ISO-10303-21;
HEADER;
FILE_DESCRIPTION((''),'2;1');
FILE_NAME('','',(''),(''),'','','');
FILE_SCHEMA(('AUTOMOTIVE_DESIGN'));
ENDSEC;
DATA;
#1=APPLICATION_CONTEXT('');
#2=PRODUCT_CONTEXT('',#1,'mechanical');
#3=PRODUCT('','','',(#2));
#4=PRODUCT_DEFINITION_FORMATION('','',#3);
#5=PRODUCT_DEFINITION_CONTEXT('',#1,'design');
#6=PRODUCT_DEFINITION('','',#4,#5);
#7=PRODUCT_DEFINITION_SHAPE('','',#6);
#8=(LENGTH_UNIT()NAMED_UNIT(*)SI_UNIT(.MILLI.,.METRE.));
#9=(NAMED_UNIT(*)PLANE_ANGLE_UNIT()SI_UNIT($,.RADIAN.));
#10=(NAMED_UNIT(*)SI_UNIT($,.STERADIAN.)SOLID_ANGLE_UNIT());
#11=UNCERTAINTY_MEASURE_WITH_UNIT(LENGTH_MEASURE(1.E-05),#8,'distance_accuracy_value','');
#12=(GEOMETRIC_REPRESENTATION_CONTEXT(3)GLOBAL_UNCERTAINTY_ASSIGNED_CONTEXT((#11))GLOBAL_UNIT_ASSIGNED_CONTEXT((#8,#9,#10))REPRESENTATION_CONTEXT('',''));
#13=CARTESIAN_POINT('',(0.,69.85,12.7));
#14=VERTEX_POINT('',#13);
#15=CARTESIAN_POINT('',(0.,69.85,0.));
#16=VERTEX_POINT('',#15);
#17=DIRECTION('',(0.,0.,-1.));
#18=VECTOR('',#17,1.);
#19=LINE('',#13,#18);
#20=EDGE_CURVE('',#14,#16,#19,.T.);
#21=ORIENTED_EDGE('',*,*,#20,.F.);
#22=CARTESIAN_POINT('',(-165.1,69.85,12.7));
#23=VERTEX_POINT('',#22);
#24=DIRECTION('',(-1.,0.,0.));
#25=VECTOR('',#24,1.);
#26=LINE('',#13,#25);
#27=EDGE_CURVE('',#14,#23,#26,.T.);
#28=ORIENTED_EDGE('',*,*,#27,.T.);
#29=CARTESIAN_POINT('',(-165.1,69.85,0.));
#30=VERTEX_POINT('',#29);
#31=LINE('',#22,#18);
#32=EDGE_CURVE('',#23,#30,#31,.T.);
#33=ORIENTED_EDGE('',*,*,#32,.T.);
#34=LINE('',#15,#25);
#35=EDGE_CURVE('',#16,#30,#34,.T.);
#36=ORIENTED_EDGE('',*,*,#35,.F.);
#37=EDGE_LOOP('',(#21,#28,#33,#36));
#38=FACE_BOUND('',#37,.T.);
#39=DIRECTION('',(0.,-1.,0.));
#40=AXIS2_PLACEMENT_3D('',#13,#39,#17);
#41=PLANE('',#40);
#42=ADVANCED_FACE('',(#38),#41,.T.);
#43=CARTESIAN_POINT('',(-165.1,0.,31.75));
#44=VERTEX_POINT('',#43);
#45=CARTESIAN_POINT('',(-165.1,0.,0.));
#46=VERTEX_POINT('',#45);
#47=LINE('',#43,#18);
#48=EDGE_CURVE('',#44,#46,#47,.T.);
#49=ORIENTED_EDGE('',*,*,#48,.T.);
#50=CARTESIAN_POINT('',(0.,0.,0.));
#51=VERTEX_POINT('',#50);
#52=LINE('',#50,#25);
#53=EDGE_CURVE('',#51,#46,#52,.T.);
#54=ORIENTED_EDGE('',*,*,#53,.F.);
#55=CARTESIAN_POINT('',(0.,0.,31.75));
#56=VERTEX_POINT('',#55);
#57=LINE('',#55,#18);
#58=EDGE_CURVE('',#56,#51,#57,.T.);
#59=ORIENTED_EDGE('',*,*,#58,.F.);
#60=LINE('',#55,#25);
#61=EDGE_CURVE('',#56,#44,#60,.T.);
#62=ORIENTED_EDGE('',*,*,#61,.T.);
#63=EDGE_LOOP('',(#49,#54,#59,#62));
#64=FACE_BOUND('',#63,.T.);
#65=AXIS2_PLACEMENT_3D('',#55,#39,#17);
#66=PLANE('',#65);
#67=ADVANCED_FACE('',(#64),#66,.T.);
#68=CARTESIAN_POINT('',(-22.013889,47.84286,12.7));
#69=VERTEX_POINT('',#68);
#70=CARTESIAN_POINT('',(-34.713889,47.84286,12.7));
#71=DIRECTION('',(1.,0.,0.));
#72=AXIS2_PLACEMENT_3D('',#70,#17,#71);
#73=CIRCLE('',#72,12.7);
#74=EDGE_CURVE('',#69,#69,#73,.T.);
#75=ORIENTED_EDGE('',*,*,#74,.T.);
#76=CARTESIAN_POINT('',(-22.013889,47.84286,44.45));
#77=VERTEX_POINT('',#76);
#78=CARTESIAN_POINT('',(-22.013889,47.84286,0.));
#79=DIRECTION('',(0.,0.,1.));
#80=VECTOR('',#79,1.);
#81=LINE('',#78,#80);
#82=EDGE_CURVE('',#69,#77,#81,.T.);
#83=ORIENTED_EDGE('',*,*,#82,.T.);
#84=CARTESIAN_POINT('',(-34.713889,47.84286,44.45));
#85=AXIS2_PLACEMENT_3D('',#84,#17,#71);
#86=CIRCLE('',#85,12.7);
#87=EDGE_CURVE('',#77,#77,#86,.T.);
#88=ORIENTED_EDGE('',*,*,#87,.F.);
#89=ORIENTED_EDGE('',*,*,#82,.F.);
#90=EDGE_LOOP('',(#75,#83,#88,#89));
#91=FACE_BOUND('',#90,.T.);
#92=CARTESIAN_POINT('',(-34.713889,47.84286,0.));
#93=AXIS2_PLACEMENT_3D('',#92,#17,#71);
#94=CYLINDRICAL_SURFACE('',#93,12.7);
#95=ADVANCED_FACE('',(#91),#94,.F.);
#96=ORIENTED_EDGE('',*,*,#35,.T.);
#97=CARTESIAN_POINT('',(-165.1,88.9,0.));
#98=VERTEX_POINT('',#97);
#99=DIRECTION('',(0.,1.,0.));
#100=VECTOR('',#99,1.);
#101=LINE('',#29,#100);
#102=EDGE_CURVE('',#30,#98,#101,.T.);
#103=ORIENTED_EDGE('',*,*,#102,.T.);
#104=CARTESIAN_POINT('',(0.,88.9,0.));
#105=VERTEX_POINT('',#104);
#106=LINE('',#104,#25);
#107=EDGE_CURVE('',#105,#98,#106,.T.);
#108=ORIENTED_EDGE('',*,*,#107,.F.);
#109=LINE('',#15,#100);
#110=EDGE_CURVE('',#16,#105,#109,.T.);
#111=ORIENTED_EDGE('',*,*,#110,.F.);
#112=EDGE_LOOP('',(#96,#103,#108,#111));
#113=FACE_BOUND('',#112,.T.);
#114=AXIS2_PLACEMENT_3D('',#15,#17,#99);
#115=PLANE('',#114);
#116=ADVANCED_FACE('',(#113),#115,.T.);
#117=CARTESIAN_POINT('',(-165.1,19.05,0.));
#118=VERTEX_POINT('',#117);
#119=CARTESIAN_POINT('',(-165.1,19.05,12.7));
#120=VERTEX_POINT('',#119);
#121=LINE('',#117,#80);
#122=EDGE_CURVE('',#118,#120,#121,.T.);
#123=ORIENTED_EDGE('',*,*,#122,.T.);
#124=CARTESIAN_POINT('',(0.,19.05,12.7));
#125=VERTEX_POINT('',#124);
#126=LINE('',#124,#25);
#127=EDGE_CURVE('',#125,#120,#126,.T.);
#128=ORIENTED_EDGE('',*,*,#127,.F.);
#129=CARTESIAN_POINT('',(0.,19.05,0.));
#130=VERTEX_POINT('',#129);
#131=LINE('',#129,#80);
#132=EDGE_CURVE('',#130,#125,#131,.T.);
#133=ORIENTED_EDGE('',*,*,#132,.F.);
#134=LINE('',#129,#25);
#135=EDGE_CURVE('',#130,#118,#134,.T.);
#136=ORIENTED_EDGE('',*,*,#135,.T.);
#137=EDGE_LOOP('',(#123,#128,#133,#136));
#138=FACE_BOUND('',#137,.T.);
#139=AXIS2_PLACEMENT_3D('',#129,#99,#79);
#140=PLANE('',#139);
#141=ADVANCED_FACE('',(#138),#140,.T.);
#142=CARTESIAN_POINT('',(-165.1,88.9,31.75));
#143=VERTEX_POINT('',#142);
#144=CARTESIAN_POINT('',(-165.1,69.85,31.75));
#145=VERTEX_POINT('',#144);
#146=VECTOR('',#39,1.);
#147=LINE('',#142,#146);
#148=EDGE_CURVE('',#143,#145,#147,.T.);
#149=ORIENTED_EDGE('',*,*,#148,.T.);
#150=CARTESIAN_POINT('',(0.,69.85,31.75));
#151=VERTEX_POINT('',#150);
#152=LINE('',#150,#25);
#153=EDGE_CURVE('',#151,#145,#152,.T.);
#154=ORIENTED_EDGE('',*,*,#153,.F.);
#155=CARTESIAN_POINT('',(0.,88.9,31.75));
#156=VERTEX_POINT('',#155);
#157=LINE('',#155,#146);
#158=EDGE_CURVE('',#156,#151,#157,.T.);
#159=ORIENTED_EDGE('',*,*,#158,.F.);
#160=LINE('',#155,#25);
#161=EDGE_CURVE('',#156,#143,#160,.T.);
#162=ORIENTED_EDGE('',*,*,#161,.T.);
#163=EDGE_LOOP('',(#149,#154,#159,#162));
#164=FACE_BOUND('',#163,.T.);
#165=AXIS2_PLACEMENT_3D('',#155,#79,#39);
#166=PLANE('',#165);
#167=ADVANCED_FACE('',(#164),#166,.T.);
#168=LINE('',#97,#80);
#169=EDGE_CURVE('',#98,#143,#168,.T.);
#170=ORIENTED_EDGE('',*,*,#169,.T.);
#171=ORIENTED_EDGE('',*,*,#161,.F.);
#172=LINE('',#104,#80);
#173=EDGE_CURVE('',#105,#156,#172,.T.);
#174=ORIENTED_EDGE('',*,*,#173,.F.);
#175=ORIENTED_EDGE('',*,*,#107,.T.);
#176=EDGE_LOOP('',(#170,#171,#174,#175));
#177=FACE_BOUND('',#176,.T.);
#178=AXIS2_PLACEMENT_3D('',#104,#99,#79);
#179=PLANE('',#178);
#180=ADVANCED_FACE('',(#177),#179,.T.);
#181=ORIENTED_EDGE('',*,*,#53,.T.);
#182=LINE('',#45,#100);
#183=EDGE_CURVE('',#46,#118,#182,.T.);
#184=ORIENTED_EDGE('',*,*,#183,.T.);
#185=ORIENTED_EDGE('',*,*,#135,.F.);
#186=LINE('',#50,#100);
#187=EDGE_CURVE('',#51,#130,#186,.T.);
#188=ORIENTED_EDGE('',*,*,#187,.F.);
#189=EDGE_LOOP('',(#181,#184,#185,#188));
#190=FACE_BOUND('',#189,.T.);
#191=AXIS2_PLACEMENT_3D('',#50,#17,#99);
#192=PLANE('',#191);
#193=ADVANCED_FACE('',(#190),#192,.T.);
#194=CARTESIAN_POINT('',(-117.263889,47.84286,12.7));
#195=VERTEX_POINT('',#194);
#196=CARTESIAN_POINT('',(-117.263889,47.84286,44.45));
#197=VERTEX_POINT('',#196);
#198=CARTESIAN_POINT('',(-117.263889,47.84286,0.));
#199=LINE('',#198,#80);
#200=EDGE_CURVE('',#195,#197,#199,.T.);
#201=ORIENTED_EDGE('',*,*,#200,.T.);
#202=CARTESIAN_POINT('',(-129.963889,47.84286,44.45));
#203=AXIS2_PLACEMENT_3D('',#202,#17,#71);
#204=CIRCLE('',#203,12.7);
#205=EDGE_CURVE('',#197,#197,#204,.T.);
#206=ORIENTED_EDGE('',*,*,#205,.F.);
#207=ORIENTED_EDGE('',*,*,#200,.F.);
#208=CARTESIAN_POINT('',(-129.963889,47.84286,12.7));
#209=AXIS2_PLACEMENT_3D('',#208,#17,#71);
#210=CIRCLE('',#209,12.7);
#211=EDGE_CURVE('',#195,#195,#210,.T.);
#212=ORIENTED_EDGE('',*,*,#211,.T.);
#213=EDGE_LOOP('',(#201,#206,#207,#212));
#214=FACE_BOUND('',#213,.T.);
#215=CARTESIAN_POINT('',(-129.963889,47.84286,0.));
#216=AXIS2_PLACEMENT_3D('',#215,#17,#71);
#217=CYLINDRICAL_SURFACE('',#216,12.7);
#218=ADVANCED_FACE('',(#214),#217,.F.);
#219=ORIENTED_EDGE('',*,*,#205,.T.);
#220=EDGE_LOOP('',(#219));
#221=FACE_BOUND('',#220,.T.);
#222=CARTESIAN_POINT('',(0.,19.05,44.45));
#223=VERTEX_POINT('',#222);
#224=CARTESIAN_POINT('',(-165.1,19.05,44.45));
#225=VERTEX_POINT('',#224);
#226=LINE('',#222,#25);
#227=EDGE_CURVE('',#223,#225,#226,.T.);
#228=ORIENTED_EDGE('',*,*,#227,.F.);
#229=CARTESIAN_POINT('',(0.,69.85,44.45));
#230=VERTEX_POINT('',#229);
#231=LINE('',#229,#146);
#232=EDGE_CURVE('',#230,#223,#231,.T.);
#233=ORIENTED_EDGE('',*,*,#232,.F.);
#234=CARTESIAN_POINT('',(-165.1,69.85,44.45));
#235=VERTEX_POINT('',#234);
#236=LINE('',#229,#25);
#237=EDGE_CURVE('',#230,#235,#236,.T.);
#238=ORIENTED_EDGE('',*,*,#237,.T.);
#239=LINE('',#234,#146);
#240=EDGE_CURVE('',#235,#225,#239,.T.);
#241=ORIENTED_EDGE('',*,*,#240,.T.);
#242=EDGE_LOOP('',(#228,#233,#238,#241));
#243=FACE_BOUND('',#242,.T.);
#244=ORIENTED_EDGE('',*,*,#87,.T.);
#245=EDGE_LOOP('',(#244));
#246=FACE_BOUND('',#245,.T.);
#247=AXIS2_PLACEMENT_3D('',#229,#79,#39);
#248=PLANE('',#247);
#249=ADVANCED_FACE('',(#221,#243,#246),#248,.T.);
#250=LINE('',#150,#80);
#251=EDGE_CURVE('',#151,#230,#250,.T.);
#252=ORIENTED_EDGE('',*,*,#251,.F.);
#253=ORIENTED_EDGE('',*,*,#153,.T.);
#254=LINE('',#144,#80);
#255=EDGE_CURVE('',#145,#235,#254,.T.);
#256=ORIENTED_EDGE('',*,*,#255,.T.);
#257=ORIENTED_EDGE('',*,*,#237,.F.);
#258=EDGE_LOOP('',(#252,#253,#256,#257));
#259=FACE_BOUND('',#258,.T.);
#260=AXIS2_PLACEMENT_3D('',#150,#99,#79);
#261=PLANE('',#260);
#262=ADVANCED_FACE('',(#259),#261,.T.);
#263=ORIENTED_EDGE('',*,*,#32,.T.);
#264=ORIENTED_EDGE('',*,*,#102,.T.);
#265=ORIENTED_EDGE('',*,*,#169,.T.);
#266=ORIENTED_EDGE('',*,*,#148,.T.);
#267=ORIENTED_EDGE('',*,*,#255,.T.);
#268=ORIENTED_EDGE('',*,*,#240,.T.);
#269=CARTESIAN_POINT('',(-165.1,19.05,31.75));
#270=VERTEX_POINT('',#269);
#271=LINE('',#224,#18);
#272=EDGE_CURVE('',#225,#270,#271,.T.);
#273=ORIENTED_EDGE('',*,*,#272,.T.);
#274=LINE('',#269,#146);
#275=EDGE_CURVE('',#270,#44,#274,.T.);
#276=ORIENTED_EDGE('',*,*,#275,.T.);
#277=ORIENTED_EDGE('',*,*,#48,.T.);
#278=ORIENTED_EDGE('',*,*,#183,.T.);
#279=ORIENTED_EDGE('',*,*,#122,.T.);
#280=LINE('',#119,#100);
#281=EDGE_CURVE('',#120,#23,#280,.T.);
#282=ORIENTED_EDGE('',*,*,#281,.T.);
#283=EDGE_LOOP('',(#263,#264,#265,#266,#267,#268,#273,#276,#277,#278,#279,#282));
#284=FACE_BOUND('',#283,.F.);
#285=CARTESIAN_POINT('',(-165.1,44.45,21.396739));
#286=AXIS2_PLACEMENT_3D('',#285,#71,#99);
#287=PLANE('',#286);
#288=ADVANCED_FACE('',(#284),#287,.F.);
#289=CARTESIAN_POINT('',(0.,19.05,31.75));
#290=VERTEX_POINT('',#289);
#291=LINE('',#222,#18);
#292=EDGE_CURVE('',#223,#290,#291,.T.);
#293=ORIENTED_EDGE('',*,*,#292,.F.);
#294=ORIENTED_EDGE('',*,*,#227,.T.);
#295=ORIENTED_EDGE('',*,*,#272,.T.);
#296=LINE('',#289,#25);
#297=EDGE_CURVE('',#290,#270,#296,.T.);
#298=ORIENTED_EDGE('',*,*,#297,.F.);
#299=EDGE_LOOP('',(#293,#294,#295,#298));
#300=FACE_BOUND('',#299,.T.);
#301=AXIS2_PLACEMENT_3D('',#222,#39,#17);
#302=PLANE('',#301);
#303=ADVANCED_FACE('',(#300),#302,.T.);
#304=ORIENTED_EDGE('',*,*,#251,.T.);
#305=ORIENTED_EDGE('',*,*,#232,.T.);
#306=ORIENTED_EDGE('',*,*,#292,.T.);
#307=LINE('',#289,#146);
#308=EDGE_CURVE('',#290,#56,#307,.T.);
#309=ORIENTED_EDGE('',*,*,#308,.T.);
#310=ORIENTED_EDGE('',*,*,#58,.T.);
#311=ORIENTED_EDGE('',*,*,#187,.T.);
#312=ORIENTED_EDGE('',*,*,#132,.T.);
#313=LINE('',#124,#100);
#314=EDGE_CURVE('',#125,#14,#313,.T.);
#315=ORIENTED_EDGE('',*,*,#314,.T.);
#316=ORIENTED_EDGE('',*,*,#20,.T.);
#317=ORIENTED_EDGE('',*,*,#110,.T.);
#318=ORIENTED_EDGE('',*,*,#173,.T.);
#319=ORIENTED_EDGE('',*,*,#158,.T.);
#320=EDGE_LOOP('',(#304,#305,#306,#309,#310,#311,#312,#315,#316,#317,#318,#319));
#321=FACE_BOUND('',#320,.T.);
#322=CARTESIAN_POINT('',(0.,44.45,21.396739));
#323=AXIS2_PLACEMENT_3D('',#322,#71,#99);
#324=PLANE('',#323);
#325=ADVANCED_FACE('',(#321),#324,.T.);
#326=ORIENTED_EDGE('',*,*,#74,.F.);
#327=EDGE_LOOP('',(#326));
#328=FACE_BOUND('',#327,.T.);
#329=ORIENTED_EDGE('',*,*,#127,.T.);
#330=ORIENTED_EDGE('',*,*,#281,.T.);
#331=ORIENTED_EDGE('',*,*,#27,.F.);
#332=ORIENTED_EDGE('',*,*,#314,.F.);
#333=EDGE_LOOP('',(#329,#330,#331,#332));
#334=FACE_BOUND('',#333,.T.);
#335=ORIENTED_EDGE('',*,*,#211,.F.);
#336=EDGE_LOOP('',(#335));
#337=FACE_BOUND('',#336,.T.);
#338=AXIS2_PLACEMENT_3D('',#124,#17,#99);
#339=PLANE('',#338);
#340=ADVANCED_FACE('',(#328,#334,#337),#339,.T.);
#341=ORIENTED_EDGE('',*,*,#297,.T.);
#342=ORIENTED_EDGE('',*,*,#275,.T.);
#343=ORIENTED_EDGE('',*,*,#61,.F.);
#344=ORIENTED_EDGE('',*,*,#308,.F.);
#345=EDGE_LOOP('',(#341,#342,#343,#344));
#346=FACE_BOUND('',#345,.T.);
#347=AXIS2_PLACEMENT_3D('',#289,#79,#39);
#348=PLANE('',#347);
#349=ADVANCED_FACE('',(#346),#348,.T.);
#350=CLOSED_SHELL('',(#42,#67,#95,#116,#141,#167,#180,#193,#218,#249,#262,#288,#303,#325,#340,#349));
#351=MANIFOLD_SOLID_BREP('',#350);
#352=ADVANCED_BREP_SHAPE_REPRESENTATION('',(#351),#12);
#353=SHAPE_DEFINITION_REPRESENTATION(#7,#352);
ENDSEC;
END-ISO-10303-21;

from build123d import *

# Parameters (mm, degrees)
F1_DEPTH = 165.1
F2_R     = 12.7
F3_DEPTH = 44.451


with BuildPart() as f1:
    # F0 (on Right) → F1 (new body)
    with BuildSketch(Plane.YZ):
        Polygon((0, 31.75), (0, 0), (19.05, 0), (19.05, 12.7), (69.85, 12.7), (69.85, 0), (88.9, 0), (88.9, 31.75), (69.85, 31.75), (69.85, 44.45), (19.05, 44.45), (19.05, 31.75), align=None)
    extrude(amount=-F1_DEPTH)

    # F2 (on Top) → F3 (cut, through all)
    with BuildSketch(Plane.XY):
        with Locations((-129.963889, 47.84286)):
            Circle(F2_R)
        with Locations((-34.713889, 47.84286)):
            Circle(F2_R)
    extrude(amount=F3_DEPTH, mode=Mode.SUBTRACT)


solid = f1.part
